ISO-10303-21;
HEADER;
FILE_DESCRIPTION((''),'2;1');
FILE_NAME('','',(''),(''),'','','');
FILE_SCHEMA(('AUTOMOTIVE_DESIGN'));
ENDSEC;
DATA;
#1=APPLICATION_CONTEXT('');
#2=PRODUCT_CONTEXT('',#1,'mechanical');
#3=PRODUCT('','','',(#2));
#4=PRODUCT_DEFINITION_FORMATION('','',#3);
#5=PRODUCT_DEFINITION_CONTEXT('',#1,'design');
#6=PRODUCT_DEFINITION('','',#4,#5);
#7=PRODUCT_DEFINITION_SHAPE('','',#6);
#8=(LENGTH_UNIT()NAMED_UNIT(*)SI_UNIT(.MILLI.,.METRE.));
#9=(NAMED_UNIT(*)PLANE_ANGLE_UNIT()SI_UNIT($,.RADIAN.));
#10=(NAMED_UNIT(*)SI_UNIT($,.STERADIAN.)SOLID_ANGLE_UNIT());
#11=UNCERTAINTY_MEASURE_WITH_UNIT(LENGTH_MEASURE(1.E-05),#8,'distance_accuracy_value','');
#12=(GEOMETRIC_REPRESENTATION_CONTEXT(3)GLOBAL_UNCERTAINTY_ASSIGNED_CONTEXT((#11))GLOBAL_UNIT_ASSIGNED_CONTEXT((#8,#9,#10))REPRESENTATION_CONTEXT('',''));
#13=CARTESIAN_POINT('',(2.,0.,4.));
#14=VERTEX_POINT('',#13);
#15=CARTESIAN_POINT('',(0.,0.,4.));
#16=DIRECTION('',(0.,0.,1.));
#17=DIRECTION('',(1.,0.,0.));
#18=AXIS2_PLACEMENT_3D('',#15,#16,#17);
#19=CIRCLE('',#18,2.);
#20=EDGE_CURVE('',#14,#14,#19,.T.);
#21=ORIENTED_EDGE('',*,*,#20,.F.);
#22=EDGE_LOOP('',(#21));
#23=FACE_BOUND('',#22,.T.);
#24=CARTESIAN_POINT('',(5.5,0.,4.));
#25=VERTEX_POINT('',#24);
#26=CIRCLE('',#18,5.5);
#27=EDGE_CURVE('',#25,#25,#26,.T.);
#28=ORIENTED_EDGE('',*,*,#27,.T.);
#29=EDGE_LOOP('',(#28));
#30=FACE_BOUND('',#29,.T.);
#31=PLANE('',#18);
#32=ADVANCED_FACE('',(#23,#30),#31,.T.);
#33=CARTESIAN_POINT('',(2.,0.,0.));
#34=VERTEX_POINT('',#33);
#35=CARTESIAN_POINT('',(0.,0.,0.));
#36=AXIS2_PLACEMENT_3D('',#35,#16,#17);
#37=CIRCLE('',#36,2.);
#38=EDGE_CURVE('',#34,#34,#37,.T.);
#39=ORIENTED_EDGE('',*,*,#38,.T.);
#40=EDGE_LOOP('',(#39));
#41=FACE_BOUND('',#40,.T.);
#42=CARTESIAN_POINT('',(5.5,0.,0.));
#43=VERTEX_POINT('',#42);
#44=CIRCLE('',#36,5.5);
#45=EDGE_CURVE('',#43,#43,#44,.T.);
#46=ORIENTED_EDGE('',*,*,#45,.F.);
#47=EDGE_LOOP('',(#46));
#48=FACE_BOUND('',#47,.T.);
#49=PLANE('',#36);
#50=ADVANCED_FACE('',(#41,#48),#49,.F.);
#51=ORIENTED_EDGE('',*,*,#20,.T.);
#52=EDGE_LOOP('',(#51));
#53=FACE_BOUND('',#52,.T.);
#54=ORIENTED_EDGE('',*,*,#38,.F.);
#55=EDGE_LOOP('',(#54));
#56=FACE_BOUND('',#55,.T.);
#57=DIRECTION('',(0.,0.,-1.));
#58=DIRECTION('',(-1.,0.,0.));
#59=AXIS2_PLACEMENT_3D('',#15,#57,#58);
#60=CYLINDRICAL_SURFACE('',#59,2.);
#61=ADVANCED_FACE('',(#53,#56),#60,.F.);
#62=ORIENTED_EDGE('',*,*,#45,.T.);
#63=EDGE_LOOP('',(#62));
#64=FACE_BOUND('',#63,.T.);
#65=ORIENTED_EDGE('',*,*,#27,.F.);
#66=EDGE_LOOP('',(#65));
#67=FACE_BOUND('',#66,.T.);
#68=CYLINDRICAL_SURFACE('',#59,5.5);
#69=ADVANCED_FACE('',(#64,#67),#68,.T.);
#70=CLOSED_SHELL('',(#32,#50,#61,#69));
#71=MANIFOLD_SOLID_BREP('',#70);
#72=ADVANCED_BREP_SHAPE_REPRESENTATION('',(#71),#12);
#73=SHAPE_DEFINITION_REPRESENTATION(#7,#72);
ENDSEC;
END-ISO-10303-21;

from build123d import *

# Parameters (mm, degrees)
SKETCH_1_R      = 5.5
SKETCH_1_R_2    = 2
EXTRUDE_1_DEPTH = 4


with BuildPart() as part:
    # Эскиз1 → Бобышка-Вытянуть1 (new body)
    with BuildSketch(Plane.XY):
        Circle(SKETCH_1_R)
        Circle(SKETCH_1_R_2, mode=Mode.SUBTRACT)
    extrude(amount=EXTRUDE_1_DEPTH)


solid = part.part
